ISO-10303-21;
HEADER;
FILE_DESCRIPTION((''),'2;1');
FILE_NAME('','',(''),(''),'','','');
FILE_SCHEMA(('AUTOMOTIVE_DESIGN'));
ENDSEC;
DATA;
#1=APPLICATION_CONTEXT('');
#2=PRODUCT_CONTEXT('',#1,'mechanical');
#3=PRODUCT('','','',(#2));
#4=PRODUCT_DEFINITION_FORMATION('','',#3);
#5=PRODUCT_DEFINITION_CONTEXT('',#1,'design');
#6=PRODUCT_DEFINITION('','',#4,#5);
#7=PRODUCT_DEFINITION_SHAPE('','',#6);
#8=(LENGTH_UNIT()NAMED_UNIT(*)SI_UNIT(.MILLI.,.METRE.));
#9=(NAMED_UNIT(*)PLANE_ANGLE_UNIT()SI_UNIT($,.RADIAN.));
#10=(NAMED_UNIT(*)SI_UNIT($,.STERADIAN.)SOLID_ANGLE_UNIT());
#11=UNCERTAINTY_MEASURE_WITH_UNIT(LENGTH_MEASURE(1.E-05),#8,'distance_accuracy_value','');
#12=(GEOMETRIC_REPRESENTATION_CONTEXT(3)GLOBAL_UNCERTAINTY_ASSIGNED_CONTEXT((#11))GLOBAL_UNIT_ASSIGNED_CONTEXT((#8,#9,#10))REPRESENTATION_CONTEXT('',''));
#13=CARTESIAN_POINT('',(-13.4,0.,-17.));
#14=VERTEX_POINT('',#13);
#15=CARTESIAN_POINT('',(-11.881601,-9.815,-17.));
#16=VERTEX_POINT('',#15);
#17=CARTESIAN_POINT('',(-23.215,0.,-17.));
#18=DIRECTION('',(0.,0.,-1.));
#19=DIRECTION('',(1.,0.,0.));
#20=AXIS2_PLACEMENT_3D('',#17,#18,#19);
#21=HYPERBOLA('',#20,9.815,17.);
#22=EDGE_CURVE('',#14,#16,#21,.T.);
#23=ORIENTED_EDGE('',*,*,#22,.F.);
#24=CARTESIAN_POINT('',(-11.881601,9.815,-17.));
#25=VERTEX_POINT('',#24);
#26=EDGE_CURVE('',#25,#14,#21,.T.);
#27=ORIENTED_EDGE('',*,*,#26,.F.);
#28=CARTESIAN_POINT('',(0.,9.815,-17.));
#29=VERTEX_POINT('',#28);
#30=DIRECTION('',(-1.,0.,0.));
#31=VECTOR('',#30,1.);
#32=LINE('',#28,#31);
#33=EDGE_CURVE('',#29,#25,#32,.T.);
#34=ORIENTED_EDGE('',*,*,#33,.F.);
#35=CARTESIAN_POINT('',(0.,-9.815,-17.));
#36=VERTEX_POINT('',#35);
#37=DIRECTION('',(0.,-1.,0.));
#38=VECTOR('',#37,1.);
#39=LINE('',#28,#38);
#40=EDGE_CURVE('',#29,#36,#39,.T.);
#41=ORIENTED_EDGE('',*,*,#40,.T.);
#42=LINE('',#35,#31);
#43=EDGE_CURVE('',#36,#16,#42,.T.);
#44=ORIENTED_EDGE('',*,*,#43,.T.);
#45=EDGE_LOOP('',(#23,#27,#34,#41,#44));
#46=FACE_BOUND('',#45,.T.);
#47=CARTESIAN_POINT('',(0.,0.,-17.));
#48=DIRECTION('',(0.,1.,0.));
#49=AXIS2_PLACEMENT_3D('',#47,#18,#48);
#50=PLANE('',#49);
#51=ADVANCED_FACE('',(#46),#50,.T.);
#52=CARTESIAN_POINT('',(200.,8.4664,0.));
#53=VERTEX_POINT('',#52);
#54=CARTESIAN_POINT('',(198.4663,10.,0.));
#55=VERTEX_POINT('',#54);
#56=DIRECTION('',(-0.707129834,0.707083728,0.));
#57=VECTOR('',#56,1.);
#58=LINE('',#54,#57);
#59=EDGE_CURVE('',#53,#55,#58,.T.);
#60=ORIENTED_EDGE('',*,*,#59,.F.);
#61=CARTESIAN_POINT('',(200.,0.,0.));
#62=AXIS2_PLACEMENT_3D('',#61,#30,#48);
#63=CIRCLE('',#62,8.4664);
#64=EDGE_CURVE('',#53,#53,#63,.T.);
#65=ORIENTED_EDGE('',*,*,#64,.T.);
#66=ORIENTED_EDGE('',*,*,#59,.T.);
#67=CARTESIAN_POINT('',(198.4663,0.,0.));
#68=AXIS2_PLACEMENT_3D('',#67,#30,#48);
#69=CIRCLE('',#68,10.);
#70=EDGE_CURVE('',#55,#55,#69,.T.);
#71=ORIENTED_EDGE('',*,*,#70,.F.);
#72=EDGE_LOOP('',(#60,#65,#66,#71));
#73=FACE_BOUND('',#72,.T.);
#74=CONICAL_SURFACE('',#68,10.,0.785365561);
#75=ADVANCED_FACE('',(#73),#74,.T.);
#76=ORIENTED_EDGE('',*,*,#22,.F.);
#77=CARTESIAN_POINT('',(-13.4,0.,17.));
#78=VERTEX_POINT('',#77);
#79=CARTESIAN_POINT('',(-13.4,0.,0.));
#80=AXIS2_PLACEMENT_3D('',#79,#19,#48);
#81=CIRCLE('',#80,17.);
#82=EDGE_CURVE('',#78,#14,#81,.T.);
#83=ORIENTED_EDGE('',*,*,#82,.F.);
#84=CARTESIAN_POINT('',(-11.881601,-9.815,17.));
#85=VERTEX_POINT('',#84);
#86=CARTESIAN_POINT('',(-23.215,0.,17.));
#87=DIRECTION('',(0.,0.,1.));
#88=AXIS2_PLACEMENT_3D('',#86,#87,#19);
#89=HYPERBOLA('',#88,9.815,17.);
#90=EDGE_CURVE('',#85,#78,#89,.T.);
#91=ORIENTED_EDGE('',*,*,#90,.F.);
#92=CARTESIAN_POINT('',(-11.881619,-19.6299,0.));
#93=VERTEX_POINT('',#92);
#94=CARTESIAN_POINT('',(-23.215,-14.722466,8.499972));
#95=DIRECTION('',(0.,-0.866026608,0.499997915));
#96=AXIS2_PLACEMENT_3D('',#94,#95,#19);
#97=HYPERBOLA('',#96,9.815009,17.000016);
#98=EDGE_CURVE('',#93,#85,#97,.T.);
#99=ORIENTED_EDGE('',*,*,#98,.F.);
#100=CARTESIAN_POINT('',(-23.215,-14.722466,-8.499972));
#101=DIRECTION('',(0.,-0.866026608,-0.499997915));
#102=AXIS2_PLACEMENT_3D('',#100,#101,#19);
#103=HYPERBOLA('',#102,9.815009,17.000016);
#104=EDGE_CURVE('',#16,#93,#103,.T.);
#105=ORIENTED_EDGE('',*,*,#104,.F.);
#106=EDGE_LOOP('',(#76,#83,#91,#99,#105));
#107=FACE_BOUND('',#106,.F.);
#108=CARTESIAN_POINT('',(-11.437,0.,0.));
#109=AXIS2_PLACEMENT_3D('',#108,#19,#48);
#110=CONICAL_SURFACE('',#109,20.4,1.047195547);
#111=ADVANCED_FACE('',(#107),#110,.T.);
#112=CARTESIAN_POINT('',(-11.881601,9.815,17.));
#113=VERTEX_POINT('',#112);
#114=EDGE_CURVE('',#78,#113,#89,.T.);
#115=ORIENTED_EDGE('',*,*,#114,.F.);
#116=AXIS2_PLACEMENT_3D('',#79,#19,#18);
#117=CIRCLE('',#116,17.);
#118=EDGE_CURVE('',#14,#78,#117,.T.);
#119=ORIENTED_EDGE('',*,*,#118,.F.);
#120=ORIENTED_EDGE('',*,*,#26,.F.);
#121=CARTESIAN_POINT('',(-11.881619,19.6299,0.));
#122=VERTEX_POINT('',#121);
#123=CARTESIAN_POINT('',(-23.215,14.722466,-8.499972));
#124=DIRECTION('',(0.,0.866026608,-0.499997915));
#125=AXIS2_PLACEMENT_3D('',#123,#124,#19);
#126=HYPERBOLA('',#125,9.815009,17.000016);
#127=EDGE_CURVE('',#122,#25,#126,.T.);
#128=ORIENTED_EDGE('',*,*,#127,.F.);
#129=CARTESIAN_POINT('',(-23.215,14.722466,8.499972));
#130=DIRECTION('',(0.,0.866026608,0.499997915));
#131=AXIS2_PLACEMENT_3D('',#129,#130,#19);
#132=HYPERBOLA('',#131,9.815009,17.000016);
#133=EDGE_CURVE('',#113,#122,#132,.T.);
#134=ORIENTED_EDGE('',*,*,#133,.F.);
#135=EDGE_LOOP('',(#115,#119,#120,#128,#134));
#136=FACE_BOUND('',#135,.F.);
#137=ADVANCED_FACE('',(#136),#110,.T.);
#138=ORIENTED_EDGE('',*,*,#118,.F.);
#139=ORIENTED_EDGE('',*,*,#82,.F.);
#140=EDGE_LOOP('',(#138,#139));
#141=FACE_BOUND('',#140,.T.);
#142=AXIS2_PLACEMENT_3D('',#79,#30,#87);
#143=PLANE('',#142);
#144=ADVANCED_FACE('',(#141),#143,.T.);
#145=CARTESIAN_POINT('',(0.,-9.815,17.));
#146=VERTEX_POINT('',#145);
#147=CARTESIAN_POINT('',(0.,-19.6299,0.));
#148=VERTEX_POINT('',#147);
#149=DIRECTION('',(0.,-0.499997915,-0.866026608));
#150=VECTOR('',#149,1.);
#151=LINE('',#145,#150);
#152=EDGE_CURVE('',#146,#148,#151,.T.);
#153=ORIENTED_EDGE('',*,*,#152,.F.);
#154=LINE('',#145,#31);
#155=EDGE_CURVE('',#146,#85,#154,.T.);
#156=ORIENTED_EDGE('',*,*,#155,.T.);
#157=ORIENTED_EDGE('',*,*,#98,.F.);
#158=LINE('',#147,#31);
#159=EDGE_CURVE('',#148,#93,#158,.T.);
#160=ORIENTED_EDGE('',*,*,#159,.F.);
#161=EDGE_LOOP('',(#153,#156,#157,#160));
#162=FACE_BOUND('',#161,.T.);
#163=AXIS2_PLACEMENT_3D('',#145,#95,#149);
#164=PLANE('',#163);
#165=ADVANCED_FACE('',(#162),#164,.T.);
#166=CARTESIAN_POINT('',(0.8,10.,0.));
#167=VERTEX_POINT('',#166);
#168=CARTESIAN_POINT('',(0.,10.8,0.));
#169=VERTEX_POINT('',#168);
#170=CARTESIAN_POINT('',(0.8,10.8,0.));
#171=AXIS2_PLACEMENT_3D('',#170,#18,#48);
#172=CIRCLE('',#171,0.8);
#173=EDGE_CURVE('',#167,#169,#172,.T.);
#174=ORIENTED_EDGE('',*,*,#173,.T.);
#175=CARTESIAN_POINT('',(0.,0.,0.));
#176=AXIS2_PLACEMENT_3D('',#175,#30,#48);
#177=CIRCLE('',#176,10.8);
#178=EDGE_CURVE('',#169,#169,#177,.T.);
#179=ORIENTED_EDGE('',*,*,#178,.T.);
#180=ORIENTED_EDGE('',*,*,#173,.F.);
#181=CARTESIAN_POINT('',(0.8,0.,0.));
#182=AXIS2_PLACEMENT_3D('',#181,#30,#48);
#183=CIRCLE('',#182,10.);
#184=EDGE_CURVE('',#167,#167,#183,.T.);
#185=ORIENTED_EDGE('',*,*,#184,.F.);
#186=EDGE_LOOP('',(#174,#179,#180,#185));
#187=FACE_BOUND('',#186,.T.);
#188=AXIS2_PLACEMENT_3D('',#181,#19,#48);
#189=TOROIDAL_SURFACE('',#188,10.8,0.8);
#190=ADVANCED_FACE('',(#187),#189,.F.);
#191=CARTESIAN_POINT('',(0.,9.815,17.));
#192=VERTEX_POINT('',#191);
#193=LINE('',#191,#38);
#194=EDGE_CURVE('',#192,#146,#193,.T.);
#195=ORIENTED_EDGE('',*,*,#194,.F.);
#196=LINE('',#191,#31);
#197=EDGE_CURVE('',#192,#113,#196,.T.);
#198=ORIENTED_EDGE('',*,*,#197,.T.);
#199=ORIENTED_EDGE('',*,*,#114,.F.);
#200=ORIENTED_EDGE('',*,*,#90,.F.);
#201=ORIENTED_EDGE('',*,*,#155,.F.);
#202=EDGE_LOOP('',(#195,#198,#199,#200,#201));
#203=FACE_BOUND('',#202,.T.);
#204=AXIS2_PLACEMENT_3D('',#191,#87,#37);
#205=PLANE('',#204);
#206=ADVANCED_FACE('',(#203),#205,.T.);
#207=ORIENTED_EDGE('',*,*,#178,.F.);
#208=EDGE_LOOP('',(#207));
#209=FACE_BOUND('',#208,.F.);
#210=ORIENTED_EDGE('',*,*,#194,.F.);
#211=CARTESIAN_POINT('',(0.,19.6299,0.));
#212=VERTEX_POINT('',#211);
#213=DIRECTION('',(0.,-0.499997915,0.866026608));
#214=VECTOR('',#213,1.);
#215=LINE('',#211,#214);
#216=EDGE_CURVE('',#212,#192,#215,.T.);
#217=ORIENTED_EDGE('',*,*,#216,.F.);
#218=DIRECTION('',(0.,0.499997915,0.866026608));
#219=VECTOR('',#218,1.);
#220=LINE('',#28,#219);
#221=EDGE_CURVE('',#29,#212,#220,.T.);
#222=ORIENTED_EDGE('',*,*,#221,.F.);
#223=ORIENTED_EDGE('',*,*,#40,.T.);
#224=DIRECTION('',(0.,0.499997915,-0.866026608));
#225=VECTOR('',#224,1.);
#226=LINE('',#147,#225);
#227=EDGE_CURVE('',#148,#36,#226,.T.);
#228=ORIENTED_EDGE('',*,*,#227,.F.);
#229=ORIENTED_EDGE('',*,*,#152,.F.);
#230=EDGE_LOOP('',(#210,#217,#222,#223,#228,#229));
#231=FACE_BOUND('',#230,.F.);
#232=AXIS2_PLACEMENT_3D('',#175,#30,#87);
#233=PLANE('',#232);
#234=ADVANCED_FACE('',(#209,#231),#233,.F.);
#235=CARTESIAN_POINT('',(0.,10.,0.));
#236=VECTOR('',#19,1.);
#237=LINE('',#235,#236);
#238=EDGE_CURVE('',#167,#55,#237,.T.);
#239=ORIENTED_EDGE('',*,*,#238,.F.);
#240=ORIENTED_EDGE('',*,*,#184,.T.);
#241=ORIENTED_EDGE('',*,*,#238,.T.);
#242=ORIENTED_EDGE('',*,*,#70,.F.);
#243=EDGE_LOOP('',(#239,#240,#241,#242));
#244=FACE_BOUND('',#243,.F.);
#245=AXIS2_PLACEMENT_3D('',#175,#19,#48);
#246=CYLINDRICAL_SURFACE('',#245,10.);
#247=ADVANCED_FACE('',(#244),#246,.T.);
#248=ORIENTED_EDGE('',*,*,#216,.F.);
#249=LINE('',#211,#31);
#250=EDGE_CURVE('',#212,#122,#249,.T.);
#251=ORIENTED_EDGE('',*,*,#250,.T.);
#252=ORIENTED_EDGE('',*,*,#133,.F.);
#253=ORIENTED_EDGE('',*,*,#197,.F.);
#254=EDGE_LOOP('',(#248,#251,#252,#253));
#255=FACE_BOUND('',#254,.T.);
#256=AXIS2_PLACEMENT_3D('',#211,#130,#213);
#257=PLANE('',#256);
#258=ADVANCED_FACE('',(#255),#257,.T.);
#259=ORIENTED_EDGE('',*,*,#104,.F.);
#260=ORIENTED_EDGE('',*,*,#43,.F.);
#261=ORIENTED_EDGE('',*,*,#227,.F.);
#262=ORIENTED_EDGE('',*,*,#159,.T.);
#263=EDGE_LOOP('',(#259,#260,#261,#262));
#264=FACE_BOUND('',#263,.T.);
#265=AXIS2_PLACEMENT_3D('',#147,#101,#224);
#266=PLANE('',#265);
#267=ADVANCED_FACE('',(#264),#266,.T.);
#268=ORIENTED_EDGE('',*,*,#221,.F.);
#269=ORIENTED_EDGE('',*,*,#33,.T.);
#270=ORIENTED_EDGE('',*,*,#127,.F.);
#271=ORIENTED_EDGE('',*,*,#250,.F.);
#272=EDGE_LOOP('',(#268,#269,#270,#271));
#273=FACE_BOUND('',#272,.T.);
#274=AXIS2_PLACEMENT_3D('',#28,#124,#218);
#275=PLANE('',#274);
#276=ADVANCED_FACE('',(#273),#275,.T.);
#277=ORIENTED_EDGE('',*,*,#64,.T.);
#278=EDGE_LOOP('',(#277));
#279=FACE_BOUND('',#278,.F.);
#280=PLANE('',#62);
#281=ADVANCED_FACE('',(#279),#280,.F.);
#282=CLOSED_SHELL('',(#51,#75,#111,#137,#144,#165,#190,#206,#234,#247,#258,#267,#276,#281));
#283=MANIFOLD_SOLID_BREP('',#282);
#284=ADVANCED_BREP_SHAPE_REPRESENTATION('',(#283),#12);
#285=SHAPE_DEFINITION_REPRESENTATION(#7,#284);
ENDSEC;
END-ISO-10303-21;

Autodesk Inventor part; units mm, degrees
ref_plane "YZ Plane" through (0, 0, 0) normal (1, 0, 0) x (0, 1, 0)
ref_plane "XZ Plane" through (0, 0, 0) normal (0, 1, 0) x (-1, 0, 0)
sketch "Sketch1" plane through (0, 0, 0) normal (0, 0, 1) x (1, 0, 0)
  line L0 (0, 10) -> (200, 10)
  line L1 (200, 10) -> (200, 0)
  line L2 (200, 0) -> (0, 0)
  line L3 (-40, 0) -> (240, 0) projected
  line L4 (0, -2) -> (0, 12) projected
  line L5 (0, 10) -> (0, 0)
  dimension "d2" = 20
  dimension "d59" = 200
revolve "Body" add sketch "Sketch1" angle 360 about axis through (200, 0, 0) along (-1, 0, 0)
sketch "Sketch2" plane through (0, 0, 0) normal (-1, 0, 0) x (0, 0, 1)
  line L0 (0, 19.6299) -> (17, 9.815)
  line L1 (17, 9.815) -> (17, -9.815)
  line L2 (17, -9.815) -> (0, -19.6299)
  line L3 (0, -19.6299) -> (-17, -9.815)
  line L4 (-17, -9.815) -> (-17, 9.815)
  line L5 (-17, 9.815) -> (0, 19.6299)
  line L6 (-23.8, 0) -> (23.8, 0) projected
  line L7 (0, 27.4819) -> (0, -27.4819) projected
  point P0 (0, 0)
  point P1 (0, 0)
  dimension "d11" = 34
extrude "Head" add sketch "Sketch2" along normal blind 13.4
sketch "Sketch4" plane through (0, 0, 0) normal (0, 0, 1) x (1, 0, 0)
  line L0 (-11.437, 20.4) -> (-13.4, 17)
  line L1 (-1.1, 0) -> (-0.234, 0)
  line L2 (-16.0332, 0) -> (2.3992, 0) projected
  line L3 (-13.4, 20.4) -> (-11.437, 20.4)
  line L4 (-13.4, 17) -> (-13.4, 20.4)
  line L5 (0, 24.48) -> (0, -4.08) projected
  dimension "d65" = 34
  dimension "d67" = 30
  dimension "d68" = 40.8
  dimension "d69" = 13.4
revolve "Chamfer1" cut sketch "Sketch4" angle 360 about axis through (-1.1, 0, 0) along (1, 0, 0)
thread "Thread" size "M20x2.5" class "6g" standard "ISO Metric profile" length 52
chamfer "Chamfer2" distance 1.5336 distance2 1.5337 1 edges at (200, -10, 0) measured on face at (200, 1.182, 2.3698)
fillet "Fillet" radius 0.8 1 edges at (0, -10, 0)
ref_plane "Work Plane1" through (1.525, 0, 0) normal (0, 0, 1) x (1, 0, 0)
equation "\"d2\" = GD"
equation "\"d59\" = NLG"
equation "\"d11\" = SW"
equation "\"d3\" = KOH"
equation "\"d15\" = GEL"
equation "\"d6\" = -0.5 * SPD + 0.5 * GD"
equation "\"d71\" = RR1"
equation "\"d65\" = SW"
equation "\"d67\" = ANG1"
equation "\"d68\" = 1.2 * SW"
equation "\"d69\" = KOH"
equation "\"NLG\" = 200"
equation "\"GD\" = NND"
equation "\"KOH\" = 13.4"
equation "\"GEL\" = 52"
equation "\"SW\" = 34"
equation "\"SW0\" = SW"
equation "\"SPD\" = NND - 1.2269 * PTC"
equation "\"SD\" = 0"
equation "\"ANG1\" = 30deg"
equation "\"GAL\" = 0.61345 * PTC"
equation "\"GUL\" = 0.61345 * PTC"
equation "\"RR\" = 0.1"
equation "\"RR1\" = 0.8"
equation "\"GD1\" = THREADDIA - 1.2269 * PTC"
equation "\"TOA\" = 30deg"
equation "\"PTC\" = 2.5"
equation "\"KOH1\" = 8.8"
equation "\"E0\" = 1.155 * SW"
equation "\"NND\" = 20"
equation "\"THREADDIA\" = 20"
properties part number "ANSI B18.2.3.6M - M20 x 2.5 x 200" material "Steel, Mild"
